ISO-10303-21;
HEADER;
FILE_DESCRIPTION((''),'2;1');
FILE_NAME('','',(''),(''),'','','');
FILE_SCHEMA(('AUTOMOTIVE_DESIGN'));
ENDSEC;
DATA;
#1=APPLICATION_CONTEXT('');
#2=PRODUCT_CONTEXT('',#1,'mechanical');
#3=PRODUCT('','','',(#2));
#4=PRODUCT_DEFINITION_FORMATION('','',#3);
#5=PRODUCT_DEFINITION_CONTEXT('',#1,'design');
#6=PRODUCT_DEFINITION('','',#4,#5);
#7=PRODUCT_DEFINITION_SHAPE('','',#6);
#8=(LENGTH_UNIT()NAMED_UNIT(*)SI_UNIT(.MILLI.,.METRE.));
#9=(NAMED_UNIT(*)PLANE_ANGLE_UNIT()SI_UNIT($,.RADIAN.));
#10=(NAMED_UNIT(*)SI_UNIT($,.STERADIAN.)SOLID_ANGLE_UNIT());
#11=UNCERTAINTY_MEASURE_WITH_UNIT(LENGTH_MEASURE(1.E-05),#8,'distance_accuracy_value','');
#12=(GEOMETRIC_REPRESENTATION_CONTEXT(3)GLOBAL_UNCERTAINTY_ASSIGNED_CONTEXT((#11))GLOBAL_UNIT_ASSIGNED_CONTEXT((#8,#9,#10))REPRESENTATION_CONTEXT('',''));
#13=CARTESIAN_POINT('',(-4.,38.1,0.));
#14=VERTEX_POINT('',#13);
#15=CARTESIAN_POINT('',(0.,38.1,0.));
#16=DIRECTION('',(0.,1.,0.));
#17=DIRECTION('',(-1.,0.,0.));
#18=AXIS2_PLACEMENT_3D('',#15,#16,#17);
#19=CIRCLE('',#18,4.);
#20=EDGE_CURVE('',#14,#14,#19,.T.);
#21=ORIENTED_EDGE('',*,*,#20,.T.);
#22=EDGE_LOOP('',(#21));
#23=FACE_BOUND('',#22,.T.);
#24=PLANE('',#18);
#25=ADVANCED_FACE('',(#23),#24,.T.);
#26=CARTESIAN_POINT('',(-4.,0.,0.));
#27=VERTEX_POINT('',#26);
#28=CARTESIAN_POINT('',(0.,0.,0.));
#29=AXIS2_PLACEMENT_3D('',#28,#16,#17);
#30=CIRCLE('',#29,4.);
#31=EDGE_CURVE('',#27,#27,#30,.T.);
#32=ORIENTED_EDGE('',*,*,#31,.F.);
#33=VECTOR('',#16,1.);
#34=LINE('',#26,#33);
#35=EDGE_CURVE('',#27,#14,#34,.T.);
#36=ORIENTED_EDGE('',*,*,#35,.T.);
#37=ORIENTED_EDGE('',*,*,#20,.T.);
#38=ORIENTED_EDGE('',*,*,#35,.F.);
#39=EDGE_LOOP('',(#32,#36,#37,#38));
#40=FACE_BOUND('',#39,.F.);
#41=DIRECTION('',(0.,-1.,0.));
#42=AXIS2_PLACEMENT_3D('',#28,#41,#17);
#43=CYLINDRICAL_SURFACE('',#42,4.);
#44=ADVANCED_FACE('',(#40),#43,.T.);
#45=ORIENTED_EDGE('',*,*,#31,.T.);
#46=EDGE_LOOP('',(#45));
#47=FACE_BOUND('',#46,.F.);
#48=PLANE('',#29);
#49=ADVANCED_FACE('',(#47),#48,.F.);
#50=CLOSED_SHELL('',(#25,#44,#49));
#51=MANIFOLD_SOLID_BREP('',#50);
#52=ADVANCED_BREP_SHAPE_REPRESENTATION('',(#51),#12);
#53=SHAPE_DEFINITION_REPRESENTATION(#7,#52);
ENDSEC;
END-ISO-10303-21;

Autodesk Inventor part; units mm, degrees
ref_plane "YZ Plane" through (0, 0, 0) normal (1, 0, 0) x (0, 1, 0)
ref_plane "XZ Plane" through (0, 0, 0) normal (0, 1, 0) x (-1, 0, 0)
ref_plane "XY Plane" through (0, 0, 0) normal (0, 0, 1) x (1, 0, 0)
sketch "Sketch1" plane through (0, 0, 0) normal (0, 1, 0) x (-1, 0, 0)
  circle A0 centre (0, 0) radius 4
  dimension "d0" = 8
extrude "Extrusion1" add sketch "Sketch1" along normal blind 38.1
properties part number "ciggy1"
